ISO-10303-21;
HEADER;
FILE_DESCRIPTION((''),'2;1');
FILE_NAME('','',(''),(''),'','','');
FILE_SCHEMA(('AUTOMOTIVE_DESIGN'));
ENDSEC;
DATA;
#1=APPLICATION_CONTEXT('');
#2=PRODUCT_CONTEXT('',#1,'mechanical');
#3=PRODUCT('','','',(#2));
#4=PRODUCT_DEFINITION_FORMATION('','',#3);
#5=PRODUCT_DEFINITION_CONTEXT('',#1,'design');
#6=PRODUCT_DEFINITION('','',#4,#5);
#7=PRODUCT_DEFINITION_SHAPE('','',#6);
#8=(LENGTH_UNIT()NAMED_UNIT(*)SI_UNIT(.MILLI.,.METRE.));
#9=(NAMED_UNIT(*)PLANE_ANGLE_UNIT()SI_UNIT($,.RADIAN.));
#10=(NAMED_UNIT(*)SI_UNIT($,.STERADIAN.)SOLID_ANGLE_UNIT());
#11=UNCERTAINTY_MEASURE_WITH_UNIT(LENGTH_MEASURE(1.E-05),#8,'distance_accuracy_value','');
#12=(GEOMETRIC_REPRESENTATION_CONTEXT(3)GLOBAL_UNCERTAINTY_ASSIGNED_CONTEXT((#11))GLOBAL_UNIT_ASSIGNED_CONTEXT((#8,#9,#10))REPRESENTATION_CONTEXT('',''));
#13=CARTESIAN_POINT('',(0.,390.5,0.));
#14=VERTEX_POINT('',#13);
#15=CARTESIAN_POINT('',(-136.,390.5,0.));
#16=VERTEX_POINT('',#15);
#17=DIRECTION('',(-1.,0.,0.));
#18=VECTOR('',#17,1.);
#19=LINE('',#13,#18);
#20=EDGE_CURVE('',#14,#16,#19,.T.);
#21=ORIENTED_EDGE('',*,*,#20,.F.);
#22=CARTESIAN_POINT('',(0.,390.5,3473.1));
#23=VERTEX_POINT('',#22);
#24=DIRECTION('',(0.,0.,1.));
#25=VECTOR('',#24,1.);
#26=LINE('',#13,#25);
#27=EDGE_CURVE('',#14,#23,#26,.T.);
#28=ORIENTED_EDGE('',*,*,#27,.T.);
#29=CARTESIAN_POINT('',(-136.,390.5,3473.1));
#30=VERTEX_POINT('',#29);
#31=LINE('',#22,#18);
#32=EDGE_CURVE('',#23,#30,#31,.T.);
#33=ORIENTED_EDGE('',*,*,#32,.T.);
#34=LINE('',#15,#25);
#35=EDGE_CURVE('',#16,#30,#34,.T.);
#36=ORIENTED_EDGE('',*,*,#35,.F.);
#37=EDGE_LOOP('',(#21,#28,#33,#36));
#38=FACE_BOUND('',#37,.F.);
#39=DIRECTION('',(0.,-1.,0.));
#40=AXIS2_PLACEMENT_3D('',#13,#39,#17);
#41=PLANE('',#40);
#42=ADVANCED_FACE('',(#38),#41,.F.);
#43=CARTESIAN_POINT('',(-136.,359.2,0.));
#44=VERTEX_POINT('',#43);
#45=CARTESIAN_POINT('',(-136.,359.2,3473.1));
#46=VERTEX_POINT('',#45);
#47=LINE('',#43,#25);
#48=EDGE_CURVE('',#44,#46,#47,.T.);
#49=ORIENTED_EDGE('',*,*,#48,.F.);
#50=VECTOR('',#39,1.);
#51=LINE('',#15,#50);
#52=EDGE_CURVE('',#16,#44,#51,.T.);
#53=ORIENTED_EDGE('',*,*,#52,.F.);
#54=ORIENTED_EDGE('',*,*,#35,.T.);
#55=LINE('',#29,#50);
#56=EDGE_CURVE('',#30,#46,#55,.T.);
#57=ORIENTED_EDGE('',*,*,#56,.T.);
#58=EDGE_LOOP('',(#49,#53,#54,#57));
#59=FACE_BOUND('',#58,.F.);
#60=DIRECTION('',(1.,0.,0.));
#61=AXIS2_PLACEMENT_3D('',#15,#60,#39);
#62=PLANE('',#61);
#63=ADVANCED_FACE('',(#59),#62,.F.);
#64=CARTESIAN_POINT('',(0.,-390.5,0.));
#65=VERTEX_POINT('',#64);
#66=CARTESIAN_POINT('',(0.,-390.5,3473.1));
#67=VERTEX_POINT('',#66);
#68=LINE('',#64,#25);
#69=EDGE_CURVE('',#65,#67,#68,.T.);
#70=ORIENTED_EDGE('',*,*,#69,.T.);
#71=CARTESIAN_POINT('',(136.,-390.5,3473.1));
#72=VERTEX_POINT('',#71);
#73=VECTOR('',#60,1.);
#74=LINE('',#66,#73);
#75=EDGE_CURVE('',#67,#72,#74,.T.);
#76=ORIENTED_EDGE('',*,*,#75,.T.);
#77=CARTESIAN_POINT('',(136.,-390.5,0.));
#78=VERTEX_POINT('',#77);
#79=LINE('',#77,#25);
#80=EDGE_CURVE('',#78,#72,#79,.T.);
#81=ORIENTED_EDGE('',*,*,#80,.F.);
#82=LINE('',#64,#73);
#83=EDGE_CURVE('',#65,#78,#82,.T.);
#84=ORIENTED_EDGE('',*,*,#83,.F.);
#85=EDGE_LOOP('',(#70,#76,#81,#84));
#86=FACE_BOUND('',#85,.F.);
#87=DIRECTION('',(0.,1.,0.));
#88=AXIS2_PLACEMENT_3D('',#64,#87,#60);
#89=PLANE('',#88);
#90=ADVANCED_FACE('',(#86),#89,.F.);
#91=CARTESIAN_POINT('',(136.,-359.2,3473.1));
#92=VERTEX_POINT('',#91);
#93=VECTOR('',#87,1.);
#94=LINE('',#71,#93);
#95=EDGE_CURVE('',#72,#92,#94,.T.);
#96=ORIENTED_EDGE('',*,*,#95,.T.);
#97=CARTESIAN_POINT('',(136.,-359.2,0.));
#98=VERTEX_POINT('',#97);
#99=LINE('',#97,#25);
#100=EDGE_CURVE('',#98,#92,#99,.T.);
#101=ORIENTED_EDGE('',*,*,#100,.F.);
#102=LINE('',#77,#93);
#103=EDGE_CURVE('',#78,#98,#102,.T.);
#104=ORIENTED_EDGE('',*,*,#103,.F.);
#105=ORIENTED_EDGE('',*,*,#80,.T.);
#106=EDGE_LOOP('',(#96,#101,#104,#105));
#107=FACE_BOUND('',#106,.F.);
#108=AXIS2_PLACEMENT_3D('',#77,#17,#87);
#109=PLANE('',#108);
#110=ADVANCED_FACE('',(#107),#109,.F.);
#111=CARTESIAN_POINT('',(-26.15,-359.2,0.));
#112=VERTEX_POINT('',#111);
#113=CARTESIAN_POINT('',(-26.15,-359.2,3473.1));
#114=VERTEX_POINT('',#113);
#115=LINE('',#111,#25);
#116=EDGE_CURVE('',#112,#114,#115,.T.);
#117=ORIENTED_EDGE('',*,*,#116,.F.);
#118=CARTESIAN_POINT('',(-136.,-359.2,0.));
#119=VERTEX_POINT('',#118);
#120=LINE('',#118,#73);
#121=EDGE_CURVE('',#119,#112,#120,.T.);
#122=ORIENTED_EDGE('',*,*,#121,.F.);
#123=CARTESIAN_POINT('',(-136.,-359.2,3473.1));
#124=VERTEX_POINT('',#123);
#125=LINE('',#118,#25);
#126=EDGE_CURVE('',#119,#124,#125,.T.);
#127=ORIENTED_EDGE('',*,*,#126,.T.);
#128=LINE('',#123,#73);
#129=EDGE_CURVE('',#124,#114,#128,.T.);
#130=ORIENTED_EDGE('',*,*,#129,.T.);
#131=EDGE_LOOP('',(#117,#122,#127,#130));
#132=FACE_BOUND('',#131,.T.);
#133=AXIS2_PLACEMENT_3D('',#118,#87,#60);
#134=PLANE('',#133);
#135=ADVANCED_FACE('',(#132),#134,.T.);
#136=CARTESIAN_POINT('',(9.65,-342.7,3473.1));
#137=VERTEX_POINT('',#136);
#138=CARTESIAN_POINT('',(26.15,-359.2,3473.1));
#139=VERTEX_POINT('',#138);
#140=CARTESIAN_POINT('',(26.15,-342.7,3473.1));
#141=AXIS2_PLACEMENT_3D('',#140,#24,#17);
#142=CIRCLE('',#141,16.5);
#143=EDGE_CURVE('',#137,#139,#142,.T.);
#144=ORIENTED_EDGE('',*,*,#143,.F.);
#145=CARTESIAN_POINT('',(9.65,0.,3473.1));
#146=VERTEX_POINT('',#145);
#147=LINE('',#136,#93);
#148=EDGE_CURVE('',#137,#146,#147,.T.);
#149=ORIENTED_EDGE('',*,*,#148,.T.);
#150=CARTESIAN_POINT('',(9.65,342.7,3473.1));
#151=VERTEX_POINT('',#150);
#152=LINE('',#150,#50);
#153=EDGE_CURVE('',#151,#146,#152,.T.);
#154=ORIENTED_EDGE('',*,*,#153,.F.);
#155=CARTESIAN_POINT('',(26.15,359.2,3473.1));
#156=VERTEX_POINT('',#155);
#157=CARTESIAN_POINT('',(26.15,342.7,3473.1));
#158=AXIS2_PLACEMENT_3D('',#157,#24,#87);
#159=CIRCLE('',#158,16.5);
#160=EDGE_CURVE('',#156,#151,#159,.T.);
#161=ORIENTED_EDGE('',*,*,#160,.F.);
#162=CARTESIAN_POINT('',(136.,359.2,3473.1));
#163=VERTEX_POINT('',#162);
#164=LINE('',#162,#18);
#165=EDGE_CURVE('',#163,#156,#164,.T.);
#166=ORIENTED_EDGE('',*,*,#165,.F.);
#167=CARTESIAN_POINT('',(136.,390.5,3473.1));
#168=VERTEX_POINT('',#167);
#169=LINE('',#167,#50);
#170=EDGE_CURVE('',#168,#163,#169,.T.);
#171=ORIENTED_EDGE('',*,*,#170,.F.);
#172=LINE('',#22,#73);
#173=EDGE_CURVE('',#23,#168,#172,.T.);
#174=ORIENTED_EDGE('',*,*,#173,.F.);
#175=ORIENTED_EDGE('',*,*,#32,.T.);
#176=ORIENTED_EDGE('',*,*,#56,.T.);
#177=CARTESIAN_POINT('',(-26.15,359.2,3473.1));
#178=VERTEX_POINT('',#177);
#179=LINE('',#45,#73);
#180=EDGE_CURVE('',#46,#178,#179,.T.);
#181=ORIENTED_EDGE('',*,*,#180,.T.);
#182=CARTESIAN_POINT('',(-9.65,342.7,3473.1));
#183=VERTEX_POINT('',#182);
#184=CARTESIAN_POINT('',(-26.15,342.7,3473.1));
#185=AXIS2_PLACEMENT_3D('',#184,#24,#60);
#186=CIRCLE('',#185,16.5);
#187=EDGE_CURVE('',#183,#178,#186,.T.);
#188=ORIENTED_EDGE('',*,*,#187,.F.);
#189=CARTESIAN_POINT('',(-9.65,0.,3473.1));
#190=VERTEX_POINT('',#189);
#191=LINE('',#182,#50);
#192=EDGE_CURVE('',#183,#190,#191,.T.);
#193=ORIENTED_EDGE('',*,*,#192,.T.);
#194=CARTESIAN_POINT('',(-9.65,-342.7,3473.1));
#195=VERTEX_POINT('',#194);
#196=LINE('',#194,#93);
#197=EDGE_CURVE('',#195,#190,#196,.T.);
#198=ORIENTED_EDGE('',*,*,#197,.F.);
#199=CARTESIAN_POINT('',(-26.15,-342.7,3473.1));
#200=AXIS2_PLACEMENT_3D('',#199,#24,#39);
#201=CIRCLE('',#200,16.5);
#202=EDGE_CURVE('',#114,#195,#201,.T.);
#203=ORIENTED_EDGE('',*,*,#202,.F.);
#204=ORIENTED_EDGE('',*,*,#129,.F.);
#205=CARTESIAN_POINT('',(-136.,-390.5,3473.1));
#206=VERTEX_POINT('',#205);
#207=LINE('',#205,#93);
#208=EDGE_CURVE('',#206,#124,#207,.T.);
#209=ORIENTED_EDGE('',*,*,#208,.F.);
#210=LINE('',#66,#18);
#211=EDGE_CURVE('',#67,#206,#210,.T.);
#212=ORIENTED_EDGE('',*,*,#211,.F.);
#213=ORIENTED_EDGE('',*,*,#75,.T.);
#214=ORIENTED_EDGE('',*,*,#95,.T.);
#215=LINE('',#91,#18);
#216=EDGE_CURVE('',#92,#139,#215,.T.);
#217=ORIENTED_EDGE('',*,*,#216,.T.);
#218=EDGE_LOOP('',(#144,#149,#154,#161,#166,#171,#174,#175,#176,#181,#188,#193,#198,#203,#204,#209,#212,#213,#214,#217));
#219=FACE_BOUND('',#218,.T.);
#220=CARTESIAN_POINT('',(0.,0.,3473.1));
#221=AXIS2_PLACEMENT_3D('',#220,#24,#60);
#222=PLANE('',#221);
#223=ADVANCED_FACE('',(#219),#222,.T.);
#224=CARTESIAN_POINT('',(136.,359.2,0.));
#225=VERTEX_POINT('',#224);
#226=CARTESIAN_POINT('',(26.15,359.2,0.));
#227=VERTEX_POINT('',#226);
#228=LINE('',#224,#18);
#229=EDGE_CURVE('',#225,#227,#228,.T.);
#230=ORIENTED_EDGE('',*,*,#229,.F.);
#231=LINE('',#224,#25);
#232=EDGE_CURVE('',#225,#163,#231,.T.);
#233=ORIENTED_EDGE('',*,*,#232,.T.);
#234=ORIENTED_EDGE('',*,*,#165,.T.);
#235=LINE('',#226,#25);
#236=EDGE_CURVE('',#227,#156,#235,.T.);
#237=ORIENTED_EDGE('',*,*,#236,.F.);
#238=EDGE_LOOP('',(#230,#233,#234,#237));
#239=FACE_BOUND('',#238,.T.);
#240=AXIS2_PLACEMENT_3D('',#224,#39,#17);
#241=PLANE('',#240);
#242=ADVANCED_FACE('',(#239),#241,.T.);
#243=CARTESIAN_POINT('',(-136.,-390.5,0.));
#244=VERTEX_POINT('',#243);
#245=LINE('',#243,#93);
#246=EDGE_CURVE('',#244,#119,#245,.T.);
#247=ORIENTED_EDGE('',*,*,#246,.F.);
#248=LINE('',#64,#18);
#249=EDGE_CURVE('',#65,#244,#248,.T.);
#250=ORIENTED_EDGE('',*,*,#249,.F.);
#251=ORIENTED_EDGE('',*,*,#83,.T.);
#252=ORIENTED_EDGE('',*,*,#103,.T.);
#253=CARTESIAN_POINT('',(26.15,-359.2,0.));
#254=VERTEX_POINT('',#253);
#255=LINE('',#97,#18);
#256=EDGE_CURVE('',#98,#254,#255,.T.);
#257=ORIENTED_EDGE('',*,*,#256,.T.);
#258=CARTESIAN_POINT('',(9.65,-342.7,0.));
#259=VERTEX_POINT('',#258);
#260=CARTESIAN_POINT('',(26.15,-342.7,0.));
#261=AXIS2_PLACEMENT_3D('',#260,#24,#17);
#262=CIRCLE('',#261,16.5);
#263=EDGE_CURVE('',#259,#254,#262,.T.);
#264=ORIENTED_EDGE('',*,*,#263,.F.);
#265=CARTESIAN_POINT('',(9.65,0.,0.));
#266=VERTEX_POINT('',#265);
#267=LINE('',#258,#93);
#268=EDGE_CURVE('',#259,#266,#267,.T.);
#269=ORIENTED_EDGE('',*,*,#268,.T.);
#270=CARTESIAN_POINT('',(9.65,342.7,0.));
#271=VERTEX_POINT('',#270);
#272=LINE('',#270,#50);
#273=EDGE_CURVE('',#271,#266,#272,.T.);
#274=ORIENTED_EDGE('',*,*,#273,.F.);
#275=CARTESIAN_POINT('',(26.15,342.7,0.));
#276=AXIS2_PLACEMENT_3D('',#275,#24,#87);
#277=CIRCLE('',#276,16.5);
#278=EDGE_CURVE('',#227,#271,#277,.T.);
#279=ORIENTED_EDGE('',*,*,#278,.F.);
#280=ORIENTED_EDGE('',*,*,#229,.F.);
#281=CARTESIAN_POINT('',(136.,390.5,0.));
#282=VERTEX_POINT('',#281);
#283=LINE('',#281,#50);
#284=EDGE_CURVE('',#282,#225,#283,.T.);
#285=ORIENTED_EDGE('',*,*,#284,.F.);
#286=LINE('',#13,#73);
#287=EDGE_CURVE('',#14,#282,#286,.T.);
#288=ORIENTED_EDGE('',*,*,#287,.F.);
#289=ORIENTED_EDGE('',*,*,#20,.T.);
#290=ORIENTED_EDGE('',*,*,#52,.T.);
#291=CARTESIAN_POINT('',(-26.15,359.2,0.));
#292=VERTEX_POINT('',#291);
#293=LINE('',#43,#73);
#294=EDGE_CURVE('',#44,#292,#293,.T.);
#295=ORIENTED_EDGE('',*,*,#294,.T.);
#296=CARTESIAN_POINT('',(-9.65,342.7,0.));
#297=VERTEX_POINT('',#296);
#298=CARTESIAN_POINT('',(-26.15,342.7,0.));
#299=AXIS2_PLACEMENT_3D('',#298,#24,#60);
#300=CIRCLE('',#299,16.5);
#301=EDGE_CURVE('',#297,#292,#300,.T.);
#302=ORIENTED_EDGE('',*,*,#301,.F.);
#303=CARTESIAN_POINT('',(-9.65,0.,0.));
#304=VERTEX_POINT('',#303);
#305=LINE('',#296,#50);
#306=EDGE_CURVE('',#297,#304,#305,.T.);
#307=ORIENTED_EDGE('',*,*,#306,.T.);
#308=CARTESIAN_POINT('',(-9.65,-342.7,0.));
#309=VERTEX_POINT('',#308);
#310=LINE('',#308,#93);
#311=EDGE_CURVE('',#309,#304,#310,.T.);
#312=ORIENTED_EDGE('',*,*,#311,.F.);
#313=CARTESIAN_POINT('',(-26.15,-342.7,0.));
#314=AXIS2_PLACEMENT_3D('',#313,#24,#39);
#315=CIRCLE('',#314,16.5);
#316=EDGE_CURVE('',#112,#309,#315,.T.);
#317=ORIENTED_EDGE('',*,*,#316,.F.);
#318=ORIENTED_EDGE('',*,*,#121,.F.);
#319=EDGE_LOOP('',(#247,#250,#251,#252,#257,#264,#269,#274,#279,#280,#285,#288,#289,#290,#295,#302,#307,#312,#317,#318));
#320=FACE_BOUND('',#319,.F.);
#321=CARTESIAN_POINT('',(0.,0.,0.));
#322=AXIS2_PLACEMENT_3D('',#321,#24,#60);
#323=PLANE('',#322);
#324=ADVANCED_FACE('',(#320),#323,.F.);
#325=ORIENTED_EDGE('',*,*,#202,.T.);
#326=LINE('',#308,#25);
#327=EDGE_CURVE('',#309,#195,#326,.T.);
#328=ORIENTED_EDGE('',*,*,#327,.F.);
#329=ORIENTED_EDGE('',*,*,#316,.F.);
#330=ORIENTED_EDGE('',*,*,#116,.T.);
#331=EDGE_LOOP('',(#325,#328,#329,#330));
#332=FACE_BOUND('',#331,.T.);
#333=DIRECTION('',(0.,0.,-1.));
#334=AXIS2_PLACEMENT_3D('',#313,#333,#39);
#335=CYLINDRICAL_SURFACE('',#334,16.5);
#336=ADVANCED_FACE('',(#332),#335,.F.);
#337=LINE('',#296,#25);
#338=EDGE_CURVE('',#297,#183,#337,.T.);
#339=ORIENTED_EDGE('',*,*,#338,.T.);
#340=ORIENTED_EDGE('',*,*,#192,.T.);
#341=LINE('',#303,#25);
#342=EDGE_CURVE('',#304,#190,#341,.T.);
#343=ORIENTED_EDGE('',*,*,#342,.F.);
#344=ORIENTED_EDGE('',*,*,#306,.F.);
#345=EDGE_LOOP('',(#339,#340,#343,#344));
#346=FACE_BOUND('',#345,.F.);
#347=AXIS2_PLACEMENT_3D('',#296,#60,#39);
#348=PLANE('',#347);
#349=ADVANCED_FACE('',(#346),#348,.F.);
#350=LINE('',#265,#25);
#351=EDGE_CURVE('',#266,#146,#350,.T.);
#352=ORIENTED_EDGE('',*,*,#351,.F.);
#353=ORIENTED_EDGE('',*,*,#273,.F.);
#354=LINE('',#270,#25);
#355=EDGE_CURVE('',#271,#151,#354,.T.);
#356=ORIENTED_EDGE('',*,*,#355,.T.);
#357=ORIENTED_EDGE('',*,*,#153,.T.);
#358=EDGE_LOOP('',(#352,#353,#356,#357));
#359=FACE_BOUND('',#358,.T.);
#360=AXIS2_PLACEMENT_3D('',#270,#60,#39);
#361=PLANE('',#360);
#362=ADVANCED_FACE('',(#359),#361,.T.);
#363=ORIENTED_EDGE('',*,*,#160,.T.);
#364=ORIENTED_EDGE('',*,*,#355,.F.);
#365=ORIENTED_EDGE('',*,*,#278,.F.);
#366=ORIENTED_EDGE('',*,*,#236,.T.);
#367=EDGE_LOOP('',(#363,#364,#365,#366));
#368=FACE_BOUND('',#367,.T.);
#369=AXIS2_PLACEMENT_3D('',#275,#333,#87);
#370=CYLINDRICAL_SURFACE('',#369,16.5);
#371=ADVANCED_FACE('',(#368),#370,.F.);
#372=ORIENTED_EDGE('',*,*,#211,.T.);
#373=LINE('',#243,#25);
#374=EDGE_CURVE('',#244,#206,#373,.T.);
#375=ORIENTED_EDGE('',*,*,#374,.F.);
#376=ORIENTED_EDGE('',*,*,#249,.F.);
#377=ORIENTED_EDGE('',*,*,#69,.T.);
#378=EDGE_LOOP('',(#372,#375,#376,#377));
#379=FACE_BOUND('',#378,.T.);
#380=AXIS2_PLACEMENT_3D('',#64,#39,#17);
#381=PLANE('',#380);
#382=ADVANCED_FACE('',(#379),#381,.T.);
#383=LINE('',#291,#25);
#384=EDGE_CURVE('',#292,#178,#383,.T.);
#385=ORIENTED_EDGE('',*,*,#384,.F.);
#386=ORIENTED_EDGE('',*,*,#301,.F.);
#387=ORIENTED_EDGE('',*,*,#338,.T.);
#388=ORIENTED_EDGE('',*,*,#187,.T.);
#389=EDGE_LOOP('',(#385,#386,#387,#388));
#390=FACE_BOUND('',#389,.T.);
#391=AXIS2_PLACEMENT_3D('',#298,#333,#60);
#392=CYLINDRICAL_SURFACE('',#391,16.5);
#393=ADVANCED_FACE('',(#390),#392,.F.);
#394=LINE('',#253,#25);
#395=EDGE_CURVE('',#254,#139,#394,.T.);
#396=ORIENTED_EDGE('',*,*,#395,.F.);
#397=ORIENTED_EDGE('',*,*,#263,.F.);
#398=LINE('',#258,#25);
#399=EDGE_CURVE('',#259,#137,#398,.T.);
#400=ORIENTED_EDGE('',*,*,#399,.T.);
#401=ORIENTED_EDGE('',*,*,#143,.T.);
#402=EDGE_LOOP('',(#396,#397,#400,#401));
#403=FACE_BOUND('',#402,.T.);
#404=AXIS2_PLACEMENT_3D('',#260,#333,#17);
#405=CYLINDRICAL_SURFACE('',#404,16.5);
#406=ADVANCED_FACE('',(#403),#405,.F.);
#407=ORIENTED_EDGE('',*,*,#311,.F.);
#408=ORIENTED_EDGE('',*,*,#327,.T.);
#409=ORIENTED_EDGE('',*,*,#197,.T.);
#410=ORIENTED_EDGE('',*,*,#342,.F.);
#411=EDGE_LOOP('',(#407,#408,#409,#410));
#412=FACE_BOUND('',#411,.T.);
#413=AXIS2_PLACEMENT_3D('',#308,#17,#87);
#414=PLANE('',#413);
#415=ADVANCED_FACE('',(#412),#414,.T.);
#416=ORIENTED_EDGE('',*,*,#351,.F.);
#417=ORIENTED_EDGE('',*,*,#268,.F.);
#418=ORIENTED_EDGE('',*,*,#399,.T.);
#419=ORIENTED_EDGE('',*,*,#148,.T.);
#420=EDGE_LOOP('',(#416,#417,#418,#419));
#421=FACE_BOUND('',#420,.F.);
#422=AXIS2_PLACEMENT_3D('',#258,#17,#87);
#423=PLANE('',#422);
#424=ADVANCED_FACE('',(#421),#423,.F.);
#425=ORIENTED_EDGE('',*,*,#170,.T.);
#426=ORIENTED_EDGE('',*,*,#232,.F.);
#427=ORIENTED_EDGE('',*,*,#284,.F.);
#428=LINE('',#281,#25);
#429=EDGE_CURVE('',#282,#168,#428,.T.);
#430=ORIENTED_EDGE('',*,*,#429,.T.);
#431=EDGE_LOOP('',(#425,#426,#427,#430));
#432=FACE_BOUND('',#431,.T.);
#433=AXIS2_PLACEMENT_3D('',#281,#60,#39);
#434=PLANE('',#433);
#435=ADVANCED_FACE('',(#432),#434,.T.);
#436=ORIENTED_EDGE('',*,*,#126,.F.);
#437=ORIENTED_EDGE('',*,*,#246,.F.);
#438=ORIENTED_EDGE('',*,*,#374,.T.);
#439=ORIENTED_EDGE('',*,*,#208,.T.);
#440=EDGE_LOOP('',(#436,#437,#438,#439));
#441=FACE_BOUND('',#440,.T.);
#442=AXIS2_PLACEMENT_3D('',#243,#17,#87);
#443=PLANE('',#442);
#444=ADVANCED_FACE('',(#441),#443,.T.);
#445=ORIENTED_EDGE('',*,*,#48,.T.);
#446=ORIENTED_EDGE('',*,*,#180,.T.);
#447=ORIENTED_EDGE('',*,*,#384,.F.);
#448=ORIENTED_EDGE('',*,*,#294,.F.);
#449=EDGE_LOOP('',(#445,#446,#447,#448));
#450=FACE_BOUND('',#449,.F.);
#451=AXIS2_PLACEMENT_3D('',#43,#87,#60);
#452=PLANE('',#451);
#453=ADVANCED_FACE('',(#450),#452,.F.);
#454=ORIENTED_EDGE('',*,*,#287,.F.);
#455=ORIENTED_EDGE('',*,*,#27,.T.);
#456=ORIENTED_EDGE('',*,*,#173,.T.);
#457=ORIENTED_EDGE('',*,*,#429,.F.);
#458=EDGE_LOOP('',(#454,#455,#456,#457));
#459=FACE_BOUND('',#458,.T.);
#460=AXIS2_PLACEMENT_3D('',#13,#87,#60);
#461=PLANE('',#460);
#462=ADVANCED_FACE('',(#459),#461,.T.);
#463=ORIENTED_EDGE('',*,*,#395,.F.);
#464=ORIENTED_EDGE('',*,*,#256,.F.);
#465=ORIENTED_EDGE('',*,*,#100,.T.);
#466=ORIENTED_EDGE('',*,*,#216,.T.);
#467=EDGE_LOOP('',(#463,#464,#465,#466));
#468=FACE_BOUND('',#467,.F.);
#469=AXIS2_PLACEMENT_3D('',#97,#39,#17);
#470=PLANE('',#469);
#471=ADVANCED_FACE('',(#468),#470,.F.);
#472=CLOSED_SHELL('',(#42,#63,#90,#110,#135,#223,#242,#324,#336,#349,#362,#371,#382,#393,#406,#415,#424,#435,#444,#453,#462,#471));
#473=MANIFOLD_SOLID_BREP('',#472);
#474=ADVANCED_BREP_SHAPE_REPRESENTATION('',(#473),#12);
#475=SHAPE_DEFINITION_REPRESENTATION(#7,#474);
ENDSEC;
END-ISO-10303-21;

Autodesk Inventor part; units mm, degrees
ref_plane "YZ Plane" through (0, 0, 0) normal (1, 0, 0) x (0, 1, 0)
ref_plane "Start plane" through (0, 0, 0) normal (0, 0, 1) x (1, 0, 0)
ref_plane "End plane" through (0, 0, 3473.1) normal (0, 0, 1) x (1, 0, 0)
sketch "Sketch" plane through (0, 0, 0) normal (0, 0, 1) x (1, 0, 0)
  line L0 (-136, -390.5) -> (-136, -359.2)
  line L1 (-136, -359.2) -> (-26.15, -359.2)
  line L2 (-9.65, -342.7) -> (-9.65, 0)
  line L3 (-9.65, 0) -> (0, 0) construction
  line L4 (0, 0) -> (0, -390.5) construction
  line L5 (0, -390.5) -> (-136, -390.5)
  line L6 (-60, 0) -> (80, 0) construction
  line L7 (0, -60) -> (0, 80) construction
  line L8 (136, -390.5) -> (136, -359.2)
  line L9 (136, -359.2) -> (26.15, -359.2)
  line L10 (9.65, -342.7) -> (9.65, 0)
  line L11 (9.65, 0) -> (0, 0) construction
  line L12 (0, -390.5) -> (136, -390.5)
  line L13 (-136, 390.5) -> (-136, 359.2)
  line L14 (-136, 359.2) -> (-26.15, 359.2)
  line L15 (-9.65, 342.7) -> (-9.65, 0)
  line L16 (0, 390.5) -> (-136, 390.5)
  line L17 (136, 390.5) -> (136, 359.2)
  line L18 (136, 359.2) -> (26.15, 359.2)
  line L19 (0, 390.5) -> (136, 390.5)
  line L20 (9.65, 342.7) -> (9.65, 0)
  arc A0 (-9.65, 342.7) -> (-26.15, 359.2) centre (-26.15, 342.7) ccw
  arc A1 (26.15, 359.2) -> (9.65, 342.7) centre (26.15, 342.7) ccw
  arc A2 (9.65, -342.7) -> (26.15, -359.2) centre (26.15, -342.7) ccw
  arc A3 (-26.15, -359.2) -> (-9.65, -342.7) centre (-26.15, -342.7) ccw
  line L21 (0, 108) -> (0, -88) construction
  line L22 (-88, 0) -> (108, 0) construction
  point P0 (-9.65, -359.2)
  point P1 (9.65, -359.2)
  point P2 (-9.65, 359.2)
  point P3 (9.65, 359.2)
  dimension "d1" = 390.5
  dimension "d2" = 31.3
  dimension "d3" = 136
  dimension "d4" = 9.65
  dimension "d10" = 16.5
extrude "Body" add sketch "Sketch" along normal up to surface (3473.1 mm away) from surface at 0
sketch "Sketch4" plane through (0, 0, 0) normal (0, 0, 1) x (1, 0, 0)
  line L0 (0, 0) -> (10, 0)
ref_plane "Work Plane3" through (0, 0, 0) normal (0, -1, 0) x (1, 0, 0)
sketch "Sketch5" plane through (0, 0, 0) normal (0, -1, 0) x (1, 0, 0)
  line L0 (-2, 0) -> (12, 0) projected
  line L1 (-2, 3473.1) -> (12, 3473.1) projected
  dimension "d14" = 3473.1
equation "\"d1\" = 0.5 * G_H"
equation "\"d2\" = G_T1"
equation "\"d3\" = 0.5 * G_W"
equation "\"d4\" = 0.5 * G_T"
equation "\"d10\" = G_IR"
equation "\"d5\" = G_L"
equation "\"G_W\" = 272"
equation "\"G_H\" = 781"
equation "\"G_T\" = 19.3"
equation "\"G_T1\" = 31.3"
equation "\"G_IR\" = 16.5"
equation "\"G_L\" = d14"
equation "\"G_OFFSET_START\" = 0"
equation "\"G_OFFSET_END\" = 0"
equation "\"d12\" = G_OFFSET_END + B_L"
equation "\"B_L\" = 3473.1"
properties part number "AS 3679-1990 - 760 UB - 244 - 3473.1" material "Steel, Mild"
